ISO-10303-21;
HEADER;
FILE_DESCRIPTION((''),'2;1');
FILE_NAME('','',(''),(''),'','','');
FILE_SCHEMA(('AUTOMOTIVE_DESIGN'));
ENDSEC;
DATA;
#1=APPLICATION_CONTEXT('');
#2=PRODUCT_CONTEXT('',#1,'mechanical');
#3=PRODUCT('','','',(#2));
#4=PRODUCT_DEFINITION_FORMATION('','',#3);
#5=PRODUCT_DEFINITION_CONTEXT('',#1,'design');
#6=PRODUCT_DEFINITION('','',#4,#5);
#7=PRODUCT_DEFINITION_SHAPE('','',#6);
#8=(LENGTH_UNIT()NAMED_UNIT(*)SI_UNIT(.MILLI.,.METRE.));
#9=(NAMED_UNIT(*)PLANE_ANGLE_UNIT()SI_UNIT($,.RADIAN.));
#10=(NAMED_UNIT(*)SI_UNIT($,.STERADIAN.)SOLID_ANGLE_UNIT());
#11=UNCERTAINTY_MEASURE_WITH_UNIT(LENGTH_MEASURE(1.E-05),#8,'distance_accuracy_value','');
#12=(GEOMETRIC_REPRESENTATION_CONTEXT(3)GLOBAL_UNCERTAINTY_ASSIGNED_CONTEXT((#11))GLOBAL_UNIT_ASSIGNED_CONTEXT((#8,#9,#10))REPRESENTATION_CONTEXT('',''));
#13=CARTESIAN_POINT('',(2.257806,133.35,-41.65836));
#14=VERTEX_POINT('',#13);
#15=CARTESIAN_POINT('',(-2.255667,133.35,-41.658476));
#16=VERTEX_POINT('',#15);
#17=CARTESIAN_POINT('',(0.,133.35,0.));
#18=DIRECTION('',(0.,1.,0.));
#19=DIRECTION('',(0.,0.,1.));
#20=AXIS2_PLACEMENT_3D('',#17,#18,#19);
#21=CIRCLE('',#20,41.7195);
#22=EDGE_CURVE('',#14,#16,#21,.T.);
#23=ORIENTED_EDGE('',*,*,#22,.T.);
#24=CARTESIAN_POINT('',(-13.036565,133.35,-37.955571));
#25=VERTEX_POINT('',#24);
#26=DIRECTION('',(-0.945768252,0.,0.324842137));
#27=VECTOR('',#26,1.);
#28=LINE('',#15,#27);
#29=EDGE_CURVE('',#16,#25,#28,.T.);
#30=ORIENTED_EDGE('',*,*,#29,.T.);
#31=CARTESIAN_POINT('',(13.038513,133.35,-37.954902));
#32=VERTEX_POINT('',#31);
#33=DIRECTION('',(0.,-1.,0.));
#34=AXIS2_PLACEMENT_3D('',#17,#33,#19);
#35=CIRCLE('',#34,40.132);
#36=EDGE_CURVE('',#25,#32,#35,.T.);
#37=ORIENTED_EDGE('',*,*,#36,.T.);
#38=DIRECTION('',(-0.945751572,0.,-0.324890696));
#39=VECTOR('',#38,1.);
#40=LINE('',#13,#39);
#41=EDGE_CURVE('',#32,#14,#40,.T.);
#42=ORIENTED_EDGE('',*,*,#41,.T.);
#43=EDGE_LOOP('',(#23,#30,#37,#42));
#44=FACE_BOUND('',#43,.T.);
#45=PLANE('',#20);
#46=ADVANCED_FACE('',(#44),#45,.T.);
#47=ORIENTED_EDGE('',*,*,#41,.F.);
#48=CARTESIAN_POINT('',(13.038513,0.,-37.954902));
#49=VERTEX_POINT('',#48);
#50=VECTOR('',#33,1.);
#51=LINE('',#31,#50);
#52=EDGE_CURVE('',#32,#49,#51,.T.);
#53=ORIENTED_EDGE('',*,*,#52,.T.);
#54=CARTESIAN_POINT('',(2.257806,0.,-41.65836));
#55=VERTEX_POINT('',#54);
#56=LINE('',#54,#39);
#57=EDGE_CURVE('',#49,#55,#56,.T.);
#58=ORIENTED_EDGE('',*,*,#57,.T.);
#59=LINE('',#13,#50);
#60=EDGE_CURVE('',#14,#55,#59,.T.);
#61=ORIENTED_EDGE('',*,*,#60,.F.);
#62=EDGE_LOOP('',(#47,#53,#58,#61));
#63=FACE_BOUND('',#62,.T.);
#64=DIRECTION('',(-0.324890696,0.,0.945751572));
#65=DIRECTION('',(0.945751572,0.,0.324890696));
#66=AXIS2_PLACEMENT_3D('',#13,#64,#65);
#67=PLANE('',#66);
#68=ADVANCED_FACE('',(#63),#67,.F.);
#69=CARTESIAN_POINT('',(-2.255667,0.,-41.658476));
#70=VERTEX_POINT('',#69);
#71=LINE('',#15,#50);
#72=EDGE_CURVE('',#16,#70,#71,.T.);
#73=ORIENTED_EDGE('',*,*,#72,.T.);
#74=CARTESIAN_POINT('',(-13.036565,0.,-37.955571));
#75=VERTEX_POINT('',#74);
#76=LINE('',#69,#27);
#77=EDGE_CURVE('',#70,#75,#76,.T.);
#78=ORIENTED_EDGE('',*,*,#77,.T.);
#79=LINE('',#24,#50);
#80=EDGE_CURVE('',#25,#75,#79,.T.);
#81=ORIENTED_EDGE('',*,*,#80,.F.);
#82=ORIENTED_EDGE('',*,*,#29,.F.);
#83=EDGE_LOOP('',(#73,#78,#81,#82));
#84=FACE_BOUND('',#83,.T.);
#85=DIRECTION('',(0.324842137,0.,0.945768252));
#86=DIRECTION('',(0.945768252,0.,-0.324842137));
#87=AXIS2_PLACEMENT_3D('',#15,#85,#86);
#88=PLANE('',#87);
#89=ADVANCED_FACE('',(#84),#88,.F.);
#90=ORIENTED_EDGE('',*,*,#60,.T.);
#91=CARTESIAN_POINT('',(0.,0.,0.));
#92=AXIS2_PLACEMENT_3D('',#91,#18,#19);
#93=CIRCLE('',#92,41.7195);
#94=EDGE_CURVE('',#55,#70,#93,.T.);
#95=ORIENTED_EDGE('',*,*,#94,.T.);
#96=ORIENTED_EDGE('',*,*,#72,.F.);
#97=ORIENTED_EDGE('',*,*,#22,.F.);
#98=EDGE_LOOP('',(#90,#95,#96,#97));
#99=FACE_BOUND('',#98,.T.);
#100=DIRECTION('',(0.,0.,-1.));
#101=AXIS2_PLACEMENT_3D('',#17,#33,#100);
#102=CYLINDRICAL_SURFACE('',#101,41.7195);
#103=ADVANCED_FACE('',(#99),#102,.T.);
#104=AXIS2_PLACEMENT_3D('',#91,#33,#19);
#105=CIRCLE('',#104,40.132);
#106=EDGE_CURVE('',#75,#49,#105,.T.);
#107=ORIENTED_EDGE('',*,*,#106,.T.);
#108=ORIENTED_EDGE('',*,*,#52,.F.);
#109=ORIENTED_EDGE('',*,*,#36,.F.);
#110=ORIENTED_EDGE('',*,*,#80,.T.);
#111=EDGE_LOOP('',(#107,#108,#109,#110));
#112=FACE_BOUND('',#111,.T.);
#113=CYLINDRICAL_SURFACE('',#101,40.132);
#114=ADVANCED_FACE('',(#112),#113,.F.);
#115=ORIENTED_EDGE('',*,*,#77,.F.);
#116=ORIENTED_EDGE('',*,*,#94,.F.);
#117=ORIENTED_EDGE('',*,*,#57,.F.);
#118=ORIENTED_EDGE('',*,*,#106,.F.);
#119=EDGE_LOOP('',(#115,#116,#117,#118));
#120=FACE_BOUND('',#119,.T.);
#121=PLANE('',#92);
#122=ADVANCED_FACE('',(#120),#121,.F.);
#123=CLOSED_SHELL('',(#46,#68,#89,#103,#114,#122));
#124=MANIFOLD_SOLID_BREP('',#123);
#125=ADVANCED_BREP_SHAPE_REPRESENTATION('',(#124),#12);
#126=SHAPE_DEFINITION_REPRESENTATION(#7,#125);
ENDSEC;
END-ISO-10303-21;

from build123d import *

# Parameters (mm, degrees)
BOSS_EXTRUDE1_DEPTH = 133.35


with BuildPart() as part:
    # Sketch2 → Boss-Extrude1 (new body)
    with BuildSketch(Plane(origin=(0, 0, 0), x_dir=(1, 0, 0), z_dir=(0, 1, 0))):
        with BuildLine():
            Line((-2.255667061, 41.658476285), (-13.036564626, 37.955571485))
            ThreePointArc((-13.036564626, 37.955571485), (0.001030283, 40.131999987), (13.038513426, 37.954902077))
            Line((13.038513426, 37.954902077), (2.257806, 41.658360413))
            ThreePointArc((2.257806, 41.658360413), (0.001071038, 41.719499986), (-2.255667061, 41.658476285))
        make_face()
    extrude(amount=BOSS_EXTRUDE1_DEPTH)


solid = part.part
